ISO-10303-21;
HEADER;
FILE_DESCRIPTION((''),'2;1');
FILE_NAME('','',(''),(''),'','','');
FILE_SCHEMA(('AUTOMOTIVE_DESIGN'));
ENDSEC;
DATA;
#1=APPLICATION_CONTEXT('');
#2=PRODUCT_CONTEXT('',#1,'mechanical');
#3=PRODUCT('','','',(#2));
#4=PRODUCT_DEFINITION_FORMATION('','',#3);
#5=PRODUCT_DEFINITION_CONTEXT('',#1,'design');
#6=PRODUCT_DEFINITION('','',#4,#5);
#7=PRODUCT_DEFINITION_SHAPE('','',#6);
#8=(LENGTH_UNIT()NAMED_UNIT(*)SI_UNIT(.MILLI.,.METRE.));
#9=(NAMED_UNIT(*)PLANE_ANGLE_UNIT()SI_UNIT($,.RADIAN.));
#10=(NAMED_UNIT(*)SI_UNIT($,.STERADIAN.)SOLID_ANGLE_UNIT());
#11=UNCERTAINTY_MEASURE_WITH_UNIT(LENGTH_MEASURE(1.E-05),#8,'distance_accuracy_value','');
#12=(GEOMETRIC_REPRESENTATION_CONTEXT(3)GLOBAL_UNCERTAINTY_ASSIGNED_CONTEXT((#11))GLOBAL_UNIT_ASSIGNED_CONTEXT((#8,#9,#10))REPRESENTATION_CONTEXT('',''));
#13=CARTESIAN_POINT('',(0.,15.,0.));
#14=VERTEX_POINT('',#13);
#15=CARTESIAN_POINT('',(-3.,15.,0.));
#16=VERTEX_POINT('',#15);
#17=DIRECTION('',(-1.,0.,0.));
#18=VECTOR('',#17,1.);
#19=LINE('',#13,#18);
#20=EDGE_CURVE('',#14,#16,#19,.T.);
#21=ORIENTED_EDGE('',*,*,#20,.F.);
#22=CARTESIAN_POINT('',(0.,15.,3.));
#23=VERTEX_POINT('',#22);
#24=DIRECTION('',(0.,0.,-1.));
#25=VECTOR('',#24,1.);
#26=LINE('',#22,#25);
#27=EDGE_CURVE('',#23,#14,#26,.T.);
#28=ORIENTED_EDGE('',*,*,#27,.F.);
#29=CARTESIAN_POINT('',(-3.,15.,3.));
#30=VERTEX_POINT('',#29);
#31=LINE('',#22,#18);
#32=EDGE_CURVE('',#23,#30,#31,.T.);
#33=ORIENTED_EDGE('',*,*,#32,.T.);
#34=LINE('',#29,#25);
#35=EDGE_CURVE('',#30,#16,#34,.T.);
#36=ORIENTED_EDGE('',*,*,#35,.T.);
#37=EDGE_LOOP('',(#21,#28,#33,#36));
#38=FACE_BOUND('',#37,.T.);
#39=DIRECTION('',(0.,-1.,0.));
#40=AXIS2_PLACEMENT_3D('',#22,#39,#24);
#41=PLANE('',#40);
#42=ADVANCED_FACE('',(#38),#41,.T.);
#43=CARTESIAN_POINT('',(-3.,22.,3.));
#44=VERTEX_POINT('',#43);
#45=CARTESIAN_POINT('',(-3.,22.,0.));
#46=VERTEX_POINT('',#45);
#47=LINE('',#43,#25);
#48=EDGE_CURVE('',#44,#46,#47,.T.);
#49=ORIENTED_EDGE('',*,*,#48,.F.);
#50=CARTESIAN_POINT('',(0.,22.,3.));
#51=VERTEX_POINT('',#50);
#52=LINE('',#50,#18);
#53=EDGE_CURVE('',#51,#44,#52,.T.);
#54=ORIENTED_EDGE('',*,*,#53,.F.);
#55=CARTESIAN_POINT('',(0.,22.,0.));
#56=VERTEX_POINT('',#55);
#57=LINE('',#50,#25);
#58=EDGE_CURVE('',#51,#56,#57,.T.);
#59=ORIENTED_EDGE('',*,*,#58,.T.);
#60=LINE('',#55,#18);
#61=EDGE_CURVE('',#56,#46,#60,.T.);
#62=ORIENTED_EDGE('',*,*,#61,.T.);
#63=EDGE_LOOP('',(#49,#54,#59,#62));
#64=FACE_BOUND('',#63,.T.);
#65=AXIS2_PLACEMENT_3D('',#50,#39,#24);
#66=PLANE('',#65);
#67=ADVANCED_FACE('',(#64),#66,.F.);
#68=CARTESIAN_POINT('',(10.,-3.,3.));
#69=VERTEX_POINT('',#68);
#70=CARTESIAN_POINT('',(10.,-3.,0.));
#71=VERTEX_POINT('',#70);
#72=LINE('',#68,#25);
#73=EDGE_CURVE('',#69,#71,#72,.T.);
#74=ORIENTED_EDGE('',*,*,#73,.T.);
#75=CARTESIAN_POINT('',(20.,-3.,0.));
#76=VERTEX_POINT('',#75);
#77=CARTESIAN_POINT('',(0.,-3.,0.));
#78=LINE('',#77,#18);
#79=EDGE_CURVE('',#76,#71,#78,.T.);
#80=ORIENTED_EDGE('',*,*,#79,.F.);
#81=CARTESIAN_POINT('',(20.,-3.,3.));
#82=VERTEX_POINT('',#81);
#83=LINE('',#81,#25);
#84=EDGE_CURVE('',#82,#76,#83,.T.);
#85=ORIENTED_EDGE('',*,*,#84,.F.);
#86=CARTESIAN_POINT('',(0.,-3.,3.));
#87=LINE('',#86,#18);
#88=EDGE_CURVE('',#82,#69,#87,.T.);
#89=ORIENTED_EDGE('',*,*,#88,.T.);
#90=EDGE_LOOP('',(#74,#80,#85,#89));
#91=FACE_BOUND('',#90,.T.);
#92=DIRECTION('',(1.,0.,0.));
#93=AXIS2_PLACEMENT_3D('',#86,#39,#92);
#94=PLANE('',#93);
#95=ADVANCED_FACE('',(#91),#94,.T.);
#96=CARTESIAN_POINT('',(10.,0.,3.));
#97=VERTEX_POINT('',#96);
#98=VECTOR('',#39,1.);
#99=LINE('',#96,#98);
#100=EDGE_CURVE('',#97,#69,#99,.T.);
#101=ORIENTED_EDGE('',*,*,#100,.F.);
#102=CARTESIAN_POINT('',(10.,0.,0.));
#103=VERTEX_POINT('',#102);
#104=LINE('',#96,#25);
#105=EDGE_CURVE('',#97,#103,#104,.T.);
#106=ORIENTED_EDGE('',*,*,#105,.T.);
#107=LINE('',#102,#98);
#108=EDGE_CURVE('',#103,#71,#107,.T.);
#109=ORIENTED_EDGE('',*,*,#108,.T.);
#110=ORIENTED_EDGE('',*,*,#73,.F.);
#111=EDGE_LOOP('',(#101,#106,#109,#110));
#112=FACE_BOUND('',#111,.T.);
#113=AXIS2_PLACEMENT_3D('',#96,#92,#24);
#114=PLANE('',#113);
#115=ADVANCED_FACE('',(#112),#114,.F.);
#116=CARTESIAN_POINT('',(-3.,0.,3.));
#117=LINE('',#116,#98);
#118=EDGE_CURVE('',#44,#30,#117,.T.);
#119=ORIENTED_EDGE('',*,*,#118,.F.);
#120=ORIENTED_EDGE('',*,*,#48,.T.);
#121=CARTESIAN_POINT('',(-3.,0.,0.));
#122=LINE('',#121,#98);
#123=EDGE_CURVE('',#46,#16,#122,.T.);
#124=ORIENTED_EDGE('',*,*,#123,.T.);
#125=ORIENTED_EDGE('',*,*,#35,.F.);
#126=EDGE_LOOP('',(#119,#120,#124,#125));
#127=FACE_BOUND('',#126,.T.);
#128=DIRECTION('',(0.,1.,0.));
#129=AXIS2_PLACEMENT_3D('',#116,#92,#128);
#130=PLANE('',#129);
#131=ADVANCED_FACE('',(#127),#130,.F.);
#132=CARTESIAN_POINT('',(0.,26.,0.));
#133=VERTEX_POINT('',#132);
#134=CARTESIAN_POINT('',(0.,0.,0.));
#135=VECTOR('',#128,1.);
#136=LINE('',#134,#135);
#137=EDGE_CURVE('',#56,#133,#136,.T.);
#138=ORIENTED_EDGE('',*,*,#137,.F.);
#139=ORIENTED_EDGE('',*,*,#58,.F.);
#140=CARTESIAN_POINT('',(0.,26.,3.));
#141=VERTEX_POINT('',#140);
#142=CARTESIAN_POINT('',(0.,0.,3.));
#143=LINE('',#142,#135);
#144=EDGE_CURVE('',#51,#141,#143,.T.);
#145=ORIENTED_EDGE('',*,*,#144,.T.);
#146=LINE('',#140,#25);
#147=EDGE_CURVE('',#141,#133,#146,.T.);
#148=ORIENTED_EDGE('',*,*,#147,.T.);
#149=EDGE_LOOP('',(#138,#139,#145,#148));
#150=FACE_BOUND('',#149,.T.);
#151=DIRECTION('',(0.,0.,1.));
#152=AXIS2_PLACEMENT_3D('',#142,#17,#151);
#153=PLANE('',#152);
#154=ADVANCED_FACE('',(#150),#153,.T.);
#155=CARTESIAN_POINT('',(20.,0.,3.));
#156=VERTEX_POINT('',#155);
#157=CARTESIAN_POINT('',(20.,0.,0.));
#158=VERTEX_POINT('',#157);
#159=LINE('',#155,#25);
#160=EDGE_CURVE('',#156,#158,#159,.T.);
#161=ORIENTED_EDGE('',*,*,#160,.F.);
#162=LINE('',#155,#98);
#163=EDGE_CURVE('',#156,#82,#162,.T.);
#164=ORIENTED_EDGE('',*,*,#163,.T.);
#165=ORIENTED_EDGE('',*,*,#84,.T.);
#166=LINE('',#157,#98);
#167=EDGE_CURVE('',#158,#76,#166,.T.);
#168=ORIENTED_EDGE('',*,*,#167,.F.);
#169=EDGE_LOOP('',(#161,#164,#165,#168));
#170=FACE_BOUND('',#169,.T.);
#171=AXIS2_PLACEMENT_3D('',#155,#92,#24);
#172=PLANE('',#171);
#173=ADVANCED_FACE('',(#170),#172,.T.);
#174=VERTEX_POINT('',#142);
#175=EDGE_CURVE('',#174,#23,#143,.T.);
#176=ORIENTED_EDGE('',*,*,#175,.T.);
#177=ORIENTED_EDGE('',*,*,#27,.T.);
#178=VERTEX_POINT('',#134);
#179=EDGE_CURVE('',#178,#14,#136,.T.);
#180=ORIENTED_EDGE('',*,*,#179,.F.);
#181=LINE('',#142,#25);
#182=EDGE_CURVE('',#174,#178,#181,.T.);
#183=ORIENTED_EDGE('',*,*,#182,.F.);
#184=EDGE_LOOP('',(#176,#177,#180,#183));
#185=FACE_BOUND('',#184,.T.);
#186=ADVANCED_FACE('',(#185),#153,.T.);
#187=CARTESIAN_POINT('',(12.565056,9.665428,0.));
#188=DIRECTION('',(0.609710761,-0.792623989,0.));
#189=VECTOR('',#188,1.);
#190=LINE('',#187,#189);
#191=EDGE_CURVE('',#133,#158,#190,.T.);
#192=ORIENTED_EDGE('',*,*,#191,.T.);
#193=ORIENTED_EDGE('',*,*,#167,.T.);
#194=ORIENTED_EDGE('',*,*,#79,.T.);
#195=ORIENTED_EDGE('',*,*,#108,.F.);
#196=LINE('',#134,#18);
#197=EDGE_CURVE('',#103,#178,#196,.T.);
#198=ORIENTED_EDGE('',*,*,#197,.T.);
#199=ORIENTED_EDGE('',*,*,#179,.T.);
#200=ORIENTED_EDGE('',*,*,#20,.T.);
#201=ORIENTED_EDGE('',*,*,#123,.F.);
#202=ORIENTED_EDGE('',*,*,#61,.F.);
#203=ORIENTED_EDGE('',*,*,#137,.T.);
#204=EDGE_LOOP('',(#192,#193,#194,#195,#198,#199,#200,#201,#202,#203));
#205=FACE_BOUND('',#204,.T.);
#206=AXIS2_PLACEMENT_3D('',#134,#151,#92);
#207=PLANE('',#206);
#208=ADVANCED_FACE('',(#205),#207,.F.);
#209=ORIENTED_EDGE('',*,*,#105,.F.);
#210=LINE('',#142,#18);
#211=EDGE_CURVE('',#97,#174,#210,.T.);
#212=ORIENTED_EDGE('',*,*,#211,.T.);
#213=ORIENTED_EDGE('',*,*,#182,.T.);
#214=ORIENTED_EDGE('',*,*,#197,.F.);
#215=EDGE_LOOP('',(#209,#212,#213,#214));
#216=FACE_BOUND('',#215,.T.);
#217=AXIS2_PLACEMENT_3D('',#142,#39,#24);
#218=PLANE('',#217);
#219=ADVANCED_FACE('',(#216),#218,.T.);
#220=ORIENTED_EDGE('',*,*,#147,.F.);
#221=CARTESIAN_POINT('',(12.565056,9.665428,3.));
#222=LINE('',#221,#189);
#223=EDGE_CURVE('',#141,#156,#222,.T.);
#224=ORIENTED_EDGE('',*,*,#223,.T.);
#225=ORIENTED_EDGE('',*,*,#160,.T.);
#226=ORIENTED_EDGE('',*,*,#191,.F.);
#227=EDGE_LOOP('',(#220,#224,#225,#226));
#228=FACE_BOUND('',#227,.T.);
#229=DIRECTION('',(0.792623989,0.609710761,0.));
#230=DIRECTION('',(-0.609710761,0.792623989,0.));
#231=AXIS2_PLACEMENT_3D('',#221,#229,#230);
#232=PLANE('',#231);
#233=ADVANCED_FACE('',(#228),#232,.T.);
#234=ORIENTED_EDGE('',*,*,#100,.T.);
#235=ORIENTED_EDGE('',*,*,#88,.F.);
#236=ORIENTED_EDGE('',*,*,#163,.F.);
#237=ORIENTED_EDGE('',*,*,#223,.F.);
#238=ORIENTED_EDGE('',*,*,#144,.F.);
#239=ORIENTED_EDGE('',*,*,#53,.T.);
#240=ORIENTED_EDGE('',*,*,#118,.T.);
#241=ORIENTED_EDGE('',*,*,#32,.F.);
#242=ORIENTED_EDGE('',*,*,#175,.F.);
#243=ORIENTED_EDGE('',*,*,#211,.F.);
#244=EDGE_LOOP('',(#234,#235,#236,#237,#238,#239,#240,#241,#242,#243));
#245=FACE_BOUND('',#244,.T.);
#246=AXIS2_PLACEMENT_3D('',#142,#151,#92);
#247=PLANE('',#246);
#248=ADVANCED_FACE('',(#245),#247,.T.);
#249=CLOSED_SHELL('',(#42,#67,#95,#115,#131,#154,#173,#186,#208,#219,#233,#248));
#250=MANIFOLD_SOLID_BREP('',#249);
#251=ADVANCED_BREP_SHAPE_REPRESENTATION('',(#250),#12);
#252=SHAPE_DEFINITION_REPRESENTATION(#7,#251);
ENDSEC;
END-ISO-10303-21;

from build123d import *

# Parameters (mm, degrees)
CROQUIS1_W              = 3
CROQUIS1_H              = 7
CROQUIS1_W_2            = 10
CROQUIS1_H_2            = 3
SALIENTE_EXTRUIR1_DEPTH = 3


with BuildPart() as part:
    # Croquis1 → Saliente-Extruir1 (new body)
    with BuildSketch(Plane.XY):
        Polygon((20, 0), (0, 0), (0, 26), align=None)
        with Locations((-1.5, 18.5)):
            Rectangle(CROQUIS1_W, CROQUIS1_H)
        with Locations((15, -1.5)):
            Rectangle(CROQUIS1_W_2, CROQUIS1_H_2)
    extrude(amount=SALIENTE_EXTRUIR1_DEPTH)


solid = part.part
